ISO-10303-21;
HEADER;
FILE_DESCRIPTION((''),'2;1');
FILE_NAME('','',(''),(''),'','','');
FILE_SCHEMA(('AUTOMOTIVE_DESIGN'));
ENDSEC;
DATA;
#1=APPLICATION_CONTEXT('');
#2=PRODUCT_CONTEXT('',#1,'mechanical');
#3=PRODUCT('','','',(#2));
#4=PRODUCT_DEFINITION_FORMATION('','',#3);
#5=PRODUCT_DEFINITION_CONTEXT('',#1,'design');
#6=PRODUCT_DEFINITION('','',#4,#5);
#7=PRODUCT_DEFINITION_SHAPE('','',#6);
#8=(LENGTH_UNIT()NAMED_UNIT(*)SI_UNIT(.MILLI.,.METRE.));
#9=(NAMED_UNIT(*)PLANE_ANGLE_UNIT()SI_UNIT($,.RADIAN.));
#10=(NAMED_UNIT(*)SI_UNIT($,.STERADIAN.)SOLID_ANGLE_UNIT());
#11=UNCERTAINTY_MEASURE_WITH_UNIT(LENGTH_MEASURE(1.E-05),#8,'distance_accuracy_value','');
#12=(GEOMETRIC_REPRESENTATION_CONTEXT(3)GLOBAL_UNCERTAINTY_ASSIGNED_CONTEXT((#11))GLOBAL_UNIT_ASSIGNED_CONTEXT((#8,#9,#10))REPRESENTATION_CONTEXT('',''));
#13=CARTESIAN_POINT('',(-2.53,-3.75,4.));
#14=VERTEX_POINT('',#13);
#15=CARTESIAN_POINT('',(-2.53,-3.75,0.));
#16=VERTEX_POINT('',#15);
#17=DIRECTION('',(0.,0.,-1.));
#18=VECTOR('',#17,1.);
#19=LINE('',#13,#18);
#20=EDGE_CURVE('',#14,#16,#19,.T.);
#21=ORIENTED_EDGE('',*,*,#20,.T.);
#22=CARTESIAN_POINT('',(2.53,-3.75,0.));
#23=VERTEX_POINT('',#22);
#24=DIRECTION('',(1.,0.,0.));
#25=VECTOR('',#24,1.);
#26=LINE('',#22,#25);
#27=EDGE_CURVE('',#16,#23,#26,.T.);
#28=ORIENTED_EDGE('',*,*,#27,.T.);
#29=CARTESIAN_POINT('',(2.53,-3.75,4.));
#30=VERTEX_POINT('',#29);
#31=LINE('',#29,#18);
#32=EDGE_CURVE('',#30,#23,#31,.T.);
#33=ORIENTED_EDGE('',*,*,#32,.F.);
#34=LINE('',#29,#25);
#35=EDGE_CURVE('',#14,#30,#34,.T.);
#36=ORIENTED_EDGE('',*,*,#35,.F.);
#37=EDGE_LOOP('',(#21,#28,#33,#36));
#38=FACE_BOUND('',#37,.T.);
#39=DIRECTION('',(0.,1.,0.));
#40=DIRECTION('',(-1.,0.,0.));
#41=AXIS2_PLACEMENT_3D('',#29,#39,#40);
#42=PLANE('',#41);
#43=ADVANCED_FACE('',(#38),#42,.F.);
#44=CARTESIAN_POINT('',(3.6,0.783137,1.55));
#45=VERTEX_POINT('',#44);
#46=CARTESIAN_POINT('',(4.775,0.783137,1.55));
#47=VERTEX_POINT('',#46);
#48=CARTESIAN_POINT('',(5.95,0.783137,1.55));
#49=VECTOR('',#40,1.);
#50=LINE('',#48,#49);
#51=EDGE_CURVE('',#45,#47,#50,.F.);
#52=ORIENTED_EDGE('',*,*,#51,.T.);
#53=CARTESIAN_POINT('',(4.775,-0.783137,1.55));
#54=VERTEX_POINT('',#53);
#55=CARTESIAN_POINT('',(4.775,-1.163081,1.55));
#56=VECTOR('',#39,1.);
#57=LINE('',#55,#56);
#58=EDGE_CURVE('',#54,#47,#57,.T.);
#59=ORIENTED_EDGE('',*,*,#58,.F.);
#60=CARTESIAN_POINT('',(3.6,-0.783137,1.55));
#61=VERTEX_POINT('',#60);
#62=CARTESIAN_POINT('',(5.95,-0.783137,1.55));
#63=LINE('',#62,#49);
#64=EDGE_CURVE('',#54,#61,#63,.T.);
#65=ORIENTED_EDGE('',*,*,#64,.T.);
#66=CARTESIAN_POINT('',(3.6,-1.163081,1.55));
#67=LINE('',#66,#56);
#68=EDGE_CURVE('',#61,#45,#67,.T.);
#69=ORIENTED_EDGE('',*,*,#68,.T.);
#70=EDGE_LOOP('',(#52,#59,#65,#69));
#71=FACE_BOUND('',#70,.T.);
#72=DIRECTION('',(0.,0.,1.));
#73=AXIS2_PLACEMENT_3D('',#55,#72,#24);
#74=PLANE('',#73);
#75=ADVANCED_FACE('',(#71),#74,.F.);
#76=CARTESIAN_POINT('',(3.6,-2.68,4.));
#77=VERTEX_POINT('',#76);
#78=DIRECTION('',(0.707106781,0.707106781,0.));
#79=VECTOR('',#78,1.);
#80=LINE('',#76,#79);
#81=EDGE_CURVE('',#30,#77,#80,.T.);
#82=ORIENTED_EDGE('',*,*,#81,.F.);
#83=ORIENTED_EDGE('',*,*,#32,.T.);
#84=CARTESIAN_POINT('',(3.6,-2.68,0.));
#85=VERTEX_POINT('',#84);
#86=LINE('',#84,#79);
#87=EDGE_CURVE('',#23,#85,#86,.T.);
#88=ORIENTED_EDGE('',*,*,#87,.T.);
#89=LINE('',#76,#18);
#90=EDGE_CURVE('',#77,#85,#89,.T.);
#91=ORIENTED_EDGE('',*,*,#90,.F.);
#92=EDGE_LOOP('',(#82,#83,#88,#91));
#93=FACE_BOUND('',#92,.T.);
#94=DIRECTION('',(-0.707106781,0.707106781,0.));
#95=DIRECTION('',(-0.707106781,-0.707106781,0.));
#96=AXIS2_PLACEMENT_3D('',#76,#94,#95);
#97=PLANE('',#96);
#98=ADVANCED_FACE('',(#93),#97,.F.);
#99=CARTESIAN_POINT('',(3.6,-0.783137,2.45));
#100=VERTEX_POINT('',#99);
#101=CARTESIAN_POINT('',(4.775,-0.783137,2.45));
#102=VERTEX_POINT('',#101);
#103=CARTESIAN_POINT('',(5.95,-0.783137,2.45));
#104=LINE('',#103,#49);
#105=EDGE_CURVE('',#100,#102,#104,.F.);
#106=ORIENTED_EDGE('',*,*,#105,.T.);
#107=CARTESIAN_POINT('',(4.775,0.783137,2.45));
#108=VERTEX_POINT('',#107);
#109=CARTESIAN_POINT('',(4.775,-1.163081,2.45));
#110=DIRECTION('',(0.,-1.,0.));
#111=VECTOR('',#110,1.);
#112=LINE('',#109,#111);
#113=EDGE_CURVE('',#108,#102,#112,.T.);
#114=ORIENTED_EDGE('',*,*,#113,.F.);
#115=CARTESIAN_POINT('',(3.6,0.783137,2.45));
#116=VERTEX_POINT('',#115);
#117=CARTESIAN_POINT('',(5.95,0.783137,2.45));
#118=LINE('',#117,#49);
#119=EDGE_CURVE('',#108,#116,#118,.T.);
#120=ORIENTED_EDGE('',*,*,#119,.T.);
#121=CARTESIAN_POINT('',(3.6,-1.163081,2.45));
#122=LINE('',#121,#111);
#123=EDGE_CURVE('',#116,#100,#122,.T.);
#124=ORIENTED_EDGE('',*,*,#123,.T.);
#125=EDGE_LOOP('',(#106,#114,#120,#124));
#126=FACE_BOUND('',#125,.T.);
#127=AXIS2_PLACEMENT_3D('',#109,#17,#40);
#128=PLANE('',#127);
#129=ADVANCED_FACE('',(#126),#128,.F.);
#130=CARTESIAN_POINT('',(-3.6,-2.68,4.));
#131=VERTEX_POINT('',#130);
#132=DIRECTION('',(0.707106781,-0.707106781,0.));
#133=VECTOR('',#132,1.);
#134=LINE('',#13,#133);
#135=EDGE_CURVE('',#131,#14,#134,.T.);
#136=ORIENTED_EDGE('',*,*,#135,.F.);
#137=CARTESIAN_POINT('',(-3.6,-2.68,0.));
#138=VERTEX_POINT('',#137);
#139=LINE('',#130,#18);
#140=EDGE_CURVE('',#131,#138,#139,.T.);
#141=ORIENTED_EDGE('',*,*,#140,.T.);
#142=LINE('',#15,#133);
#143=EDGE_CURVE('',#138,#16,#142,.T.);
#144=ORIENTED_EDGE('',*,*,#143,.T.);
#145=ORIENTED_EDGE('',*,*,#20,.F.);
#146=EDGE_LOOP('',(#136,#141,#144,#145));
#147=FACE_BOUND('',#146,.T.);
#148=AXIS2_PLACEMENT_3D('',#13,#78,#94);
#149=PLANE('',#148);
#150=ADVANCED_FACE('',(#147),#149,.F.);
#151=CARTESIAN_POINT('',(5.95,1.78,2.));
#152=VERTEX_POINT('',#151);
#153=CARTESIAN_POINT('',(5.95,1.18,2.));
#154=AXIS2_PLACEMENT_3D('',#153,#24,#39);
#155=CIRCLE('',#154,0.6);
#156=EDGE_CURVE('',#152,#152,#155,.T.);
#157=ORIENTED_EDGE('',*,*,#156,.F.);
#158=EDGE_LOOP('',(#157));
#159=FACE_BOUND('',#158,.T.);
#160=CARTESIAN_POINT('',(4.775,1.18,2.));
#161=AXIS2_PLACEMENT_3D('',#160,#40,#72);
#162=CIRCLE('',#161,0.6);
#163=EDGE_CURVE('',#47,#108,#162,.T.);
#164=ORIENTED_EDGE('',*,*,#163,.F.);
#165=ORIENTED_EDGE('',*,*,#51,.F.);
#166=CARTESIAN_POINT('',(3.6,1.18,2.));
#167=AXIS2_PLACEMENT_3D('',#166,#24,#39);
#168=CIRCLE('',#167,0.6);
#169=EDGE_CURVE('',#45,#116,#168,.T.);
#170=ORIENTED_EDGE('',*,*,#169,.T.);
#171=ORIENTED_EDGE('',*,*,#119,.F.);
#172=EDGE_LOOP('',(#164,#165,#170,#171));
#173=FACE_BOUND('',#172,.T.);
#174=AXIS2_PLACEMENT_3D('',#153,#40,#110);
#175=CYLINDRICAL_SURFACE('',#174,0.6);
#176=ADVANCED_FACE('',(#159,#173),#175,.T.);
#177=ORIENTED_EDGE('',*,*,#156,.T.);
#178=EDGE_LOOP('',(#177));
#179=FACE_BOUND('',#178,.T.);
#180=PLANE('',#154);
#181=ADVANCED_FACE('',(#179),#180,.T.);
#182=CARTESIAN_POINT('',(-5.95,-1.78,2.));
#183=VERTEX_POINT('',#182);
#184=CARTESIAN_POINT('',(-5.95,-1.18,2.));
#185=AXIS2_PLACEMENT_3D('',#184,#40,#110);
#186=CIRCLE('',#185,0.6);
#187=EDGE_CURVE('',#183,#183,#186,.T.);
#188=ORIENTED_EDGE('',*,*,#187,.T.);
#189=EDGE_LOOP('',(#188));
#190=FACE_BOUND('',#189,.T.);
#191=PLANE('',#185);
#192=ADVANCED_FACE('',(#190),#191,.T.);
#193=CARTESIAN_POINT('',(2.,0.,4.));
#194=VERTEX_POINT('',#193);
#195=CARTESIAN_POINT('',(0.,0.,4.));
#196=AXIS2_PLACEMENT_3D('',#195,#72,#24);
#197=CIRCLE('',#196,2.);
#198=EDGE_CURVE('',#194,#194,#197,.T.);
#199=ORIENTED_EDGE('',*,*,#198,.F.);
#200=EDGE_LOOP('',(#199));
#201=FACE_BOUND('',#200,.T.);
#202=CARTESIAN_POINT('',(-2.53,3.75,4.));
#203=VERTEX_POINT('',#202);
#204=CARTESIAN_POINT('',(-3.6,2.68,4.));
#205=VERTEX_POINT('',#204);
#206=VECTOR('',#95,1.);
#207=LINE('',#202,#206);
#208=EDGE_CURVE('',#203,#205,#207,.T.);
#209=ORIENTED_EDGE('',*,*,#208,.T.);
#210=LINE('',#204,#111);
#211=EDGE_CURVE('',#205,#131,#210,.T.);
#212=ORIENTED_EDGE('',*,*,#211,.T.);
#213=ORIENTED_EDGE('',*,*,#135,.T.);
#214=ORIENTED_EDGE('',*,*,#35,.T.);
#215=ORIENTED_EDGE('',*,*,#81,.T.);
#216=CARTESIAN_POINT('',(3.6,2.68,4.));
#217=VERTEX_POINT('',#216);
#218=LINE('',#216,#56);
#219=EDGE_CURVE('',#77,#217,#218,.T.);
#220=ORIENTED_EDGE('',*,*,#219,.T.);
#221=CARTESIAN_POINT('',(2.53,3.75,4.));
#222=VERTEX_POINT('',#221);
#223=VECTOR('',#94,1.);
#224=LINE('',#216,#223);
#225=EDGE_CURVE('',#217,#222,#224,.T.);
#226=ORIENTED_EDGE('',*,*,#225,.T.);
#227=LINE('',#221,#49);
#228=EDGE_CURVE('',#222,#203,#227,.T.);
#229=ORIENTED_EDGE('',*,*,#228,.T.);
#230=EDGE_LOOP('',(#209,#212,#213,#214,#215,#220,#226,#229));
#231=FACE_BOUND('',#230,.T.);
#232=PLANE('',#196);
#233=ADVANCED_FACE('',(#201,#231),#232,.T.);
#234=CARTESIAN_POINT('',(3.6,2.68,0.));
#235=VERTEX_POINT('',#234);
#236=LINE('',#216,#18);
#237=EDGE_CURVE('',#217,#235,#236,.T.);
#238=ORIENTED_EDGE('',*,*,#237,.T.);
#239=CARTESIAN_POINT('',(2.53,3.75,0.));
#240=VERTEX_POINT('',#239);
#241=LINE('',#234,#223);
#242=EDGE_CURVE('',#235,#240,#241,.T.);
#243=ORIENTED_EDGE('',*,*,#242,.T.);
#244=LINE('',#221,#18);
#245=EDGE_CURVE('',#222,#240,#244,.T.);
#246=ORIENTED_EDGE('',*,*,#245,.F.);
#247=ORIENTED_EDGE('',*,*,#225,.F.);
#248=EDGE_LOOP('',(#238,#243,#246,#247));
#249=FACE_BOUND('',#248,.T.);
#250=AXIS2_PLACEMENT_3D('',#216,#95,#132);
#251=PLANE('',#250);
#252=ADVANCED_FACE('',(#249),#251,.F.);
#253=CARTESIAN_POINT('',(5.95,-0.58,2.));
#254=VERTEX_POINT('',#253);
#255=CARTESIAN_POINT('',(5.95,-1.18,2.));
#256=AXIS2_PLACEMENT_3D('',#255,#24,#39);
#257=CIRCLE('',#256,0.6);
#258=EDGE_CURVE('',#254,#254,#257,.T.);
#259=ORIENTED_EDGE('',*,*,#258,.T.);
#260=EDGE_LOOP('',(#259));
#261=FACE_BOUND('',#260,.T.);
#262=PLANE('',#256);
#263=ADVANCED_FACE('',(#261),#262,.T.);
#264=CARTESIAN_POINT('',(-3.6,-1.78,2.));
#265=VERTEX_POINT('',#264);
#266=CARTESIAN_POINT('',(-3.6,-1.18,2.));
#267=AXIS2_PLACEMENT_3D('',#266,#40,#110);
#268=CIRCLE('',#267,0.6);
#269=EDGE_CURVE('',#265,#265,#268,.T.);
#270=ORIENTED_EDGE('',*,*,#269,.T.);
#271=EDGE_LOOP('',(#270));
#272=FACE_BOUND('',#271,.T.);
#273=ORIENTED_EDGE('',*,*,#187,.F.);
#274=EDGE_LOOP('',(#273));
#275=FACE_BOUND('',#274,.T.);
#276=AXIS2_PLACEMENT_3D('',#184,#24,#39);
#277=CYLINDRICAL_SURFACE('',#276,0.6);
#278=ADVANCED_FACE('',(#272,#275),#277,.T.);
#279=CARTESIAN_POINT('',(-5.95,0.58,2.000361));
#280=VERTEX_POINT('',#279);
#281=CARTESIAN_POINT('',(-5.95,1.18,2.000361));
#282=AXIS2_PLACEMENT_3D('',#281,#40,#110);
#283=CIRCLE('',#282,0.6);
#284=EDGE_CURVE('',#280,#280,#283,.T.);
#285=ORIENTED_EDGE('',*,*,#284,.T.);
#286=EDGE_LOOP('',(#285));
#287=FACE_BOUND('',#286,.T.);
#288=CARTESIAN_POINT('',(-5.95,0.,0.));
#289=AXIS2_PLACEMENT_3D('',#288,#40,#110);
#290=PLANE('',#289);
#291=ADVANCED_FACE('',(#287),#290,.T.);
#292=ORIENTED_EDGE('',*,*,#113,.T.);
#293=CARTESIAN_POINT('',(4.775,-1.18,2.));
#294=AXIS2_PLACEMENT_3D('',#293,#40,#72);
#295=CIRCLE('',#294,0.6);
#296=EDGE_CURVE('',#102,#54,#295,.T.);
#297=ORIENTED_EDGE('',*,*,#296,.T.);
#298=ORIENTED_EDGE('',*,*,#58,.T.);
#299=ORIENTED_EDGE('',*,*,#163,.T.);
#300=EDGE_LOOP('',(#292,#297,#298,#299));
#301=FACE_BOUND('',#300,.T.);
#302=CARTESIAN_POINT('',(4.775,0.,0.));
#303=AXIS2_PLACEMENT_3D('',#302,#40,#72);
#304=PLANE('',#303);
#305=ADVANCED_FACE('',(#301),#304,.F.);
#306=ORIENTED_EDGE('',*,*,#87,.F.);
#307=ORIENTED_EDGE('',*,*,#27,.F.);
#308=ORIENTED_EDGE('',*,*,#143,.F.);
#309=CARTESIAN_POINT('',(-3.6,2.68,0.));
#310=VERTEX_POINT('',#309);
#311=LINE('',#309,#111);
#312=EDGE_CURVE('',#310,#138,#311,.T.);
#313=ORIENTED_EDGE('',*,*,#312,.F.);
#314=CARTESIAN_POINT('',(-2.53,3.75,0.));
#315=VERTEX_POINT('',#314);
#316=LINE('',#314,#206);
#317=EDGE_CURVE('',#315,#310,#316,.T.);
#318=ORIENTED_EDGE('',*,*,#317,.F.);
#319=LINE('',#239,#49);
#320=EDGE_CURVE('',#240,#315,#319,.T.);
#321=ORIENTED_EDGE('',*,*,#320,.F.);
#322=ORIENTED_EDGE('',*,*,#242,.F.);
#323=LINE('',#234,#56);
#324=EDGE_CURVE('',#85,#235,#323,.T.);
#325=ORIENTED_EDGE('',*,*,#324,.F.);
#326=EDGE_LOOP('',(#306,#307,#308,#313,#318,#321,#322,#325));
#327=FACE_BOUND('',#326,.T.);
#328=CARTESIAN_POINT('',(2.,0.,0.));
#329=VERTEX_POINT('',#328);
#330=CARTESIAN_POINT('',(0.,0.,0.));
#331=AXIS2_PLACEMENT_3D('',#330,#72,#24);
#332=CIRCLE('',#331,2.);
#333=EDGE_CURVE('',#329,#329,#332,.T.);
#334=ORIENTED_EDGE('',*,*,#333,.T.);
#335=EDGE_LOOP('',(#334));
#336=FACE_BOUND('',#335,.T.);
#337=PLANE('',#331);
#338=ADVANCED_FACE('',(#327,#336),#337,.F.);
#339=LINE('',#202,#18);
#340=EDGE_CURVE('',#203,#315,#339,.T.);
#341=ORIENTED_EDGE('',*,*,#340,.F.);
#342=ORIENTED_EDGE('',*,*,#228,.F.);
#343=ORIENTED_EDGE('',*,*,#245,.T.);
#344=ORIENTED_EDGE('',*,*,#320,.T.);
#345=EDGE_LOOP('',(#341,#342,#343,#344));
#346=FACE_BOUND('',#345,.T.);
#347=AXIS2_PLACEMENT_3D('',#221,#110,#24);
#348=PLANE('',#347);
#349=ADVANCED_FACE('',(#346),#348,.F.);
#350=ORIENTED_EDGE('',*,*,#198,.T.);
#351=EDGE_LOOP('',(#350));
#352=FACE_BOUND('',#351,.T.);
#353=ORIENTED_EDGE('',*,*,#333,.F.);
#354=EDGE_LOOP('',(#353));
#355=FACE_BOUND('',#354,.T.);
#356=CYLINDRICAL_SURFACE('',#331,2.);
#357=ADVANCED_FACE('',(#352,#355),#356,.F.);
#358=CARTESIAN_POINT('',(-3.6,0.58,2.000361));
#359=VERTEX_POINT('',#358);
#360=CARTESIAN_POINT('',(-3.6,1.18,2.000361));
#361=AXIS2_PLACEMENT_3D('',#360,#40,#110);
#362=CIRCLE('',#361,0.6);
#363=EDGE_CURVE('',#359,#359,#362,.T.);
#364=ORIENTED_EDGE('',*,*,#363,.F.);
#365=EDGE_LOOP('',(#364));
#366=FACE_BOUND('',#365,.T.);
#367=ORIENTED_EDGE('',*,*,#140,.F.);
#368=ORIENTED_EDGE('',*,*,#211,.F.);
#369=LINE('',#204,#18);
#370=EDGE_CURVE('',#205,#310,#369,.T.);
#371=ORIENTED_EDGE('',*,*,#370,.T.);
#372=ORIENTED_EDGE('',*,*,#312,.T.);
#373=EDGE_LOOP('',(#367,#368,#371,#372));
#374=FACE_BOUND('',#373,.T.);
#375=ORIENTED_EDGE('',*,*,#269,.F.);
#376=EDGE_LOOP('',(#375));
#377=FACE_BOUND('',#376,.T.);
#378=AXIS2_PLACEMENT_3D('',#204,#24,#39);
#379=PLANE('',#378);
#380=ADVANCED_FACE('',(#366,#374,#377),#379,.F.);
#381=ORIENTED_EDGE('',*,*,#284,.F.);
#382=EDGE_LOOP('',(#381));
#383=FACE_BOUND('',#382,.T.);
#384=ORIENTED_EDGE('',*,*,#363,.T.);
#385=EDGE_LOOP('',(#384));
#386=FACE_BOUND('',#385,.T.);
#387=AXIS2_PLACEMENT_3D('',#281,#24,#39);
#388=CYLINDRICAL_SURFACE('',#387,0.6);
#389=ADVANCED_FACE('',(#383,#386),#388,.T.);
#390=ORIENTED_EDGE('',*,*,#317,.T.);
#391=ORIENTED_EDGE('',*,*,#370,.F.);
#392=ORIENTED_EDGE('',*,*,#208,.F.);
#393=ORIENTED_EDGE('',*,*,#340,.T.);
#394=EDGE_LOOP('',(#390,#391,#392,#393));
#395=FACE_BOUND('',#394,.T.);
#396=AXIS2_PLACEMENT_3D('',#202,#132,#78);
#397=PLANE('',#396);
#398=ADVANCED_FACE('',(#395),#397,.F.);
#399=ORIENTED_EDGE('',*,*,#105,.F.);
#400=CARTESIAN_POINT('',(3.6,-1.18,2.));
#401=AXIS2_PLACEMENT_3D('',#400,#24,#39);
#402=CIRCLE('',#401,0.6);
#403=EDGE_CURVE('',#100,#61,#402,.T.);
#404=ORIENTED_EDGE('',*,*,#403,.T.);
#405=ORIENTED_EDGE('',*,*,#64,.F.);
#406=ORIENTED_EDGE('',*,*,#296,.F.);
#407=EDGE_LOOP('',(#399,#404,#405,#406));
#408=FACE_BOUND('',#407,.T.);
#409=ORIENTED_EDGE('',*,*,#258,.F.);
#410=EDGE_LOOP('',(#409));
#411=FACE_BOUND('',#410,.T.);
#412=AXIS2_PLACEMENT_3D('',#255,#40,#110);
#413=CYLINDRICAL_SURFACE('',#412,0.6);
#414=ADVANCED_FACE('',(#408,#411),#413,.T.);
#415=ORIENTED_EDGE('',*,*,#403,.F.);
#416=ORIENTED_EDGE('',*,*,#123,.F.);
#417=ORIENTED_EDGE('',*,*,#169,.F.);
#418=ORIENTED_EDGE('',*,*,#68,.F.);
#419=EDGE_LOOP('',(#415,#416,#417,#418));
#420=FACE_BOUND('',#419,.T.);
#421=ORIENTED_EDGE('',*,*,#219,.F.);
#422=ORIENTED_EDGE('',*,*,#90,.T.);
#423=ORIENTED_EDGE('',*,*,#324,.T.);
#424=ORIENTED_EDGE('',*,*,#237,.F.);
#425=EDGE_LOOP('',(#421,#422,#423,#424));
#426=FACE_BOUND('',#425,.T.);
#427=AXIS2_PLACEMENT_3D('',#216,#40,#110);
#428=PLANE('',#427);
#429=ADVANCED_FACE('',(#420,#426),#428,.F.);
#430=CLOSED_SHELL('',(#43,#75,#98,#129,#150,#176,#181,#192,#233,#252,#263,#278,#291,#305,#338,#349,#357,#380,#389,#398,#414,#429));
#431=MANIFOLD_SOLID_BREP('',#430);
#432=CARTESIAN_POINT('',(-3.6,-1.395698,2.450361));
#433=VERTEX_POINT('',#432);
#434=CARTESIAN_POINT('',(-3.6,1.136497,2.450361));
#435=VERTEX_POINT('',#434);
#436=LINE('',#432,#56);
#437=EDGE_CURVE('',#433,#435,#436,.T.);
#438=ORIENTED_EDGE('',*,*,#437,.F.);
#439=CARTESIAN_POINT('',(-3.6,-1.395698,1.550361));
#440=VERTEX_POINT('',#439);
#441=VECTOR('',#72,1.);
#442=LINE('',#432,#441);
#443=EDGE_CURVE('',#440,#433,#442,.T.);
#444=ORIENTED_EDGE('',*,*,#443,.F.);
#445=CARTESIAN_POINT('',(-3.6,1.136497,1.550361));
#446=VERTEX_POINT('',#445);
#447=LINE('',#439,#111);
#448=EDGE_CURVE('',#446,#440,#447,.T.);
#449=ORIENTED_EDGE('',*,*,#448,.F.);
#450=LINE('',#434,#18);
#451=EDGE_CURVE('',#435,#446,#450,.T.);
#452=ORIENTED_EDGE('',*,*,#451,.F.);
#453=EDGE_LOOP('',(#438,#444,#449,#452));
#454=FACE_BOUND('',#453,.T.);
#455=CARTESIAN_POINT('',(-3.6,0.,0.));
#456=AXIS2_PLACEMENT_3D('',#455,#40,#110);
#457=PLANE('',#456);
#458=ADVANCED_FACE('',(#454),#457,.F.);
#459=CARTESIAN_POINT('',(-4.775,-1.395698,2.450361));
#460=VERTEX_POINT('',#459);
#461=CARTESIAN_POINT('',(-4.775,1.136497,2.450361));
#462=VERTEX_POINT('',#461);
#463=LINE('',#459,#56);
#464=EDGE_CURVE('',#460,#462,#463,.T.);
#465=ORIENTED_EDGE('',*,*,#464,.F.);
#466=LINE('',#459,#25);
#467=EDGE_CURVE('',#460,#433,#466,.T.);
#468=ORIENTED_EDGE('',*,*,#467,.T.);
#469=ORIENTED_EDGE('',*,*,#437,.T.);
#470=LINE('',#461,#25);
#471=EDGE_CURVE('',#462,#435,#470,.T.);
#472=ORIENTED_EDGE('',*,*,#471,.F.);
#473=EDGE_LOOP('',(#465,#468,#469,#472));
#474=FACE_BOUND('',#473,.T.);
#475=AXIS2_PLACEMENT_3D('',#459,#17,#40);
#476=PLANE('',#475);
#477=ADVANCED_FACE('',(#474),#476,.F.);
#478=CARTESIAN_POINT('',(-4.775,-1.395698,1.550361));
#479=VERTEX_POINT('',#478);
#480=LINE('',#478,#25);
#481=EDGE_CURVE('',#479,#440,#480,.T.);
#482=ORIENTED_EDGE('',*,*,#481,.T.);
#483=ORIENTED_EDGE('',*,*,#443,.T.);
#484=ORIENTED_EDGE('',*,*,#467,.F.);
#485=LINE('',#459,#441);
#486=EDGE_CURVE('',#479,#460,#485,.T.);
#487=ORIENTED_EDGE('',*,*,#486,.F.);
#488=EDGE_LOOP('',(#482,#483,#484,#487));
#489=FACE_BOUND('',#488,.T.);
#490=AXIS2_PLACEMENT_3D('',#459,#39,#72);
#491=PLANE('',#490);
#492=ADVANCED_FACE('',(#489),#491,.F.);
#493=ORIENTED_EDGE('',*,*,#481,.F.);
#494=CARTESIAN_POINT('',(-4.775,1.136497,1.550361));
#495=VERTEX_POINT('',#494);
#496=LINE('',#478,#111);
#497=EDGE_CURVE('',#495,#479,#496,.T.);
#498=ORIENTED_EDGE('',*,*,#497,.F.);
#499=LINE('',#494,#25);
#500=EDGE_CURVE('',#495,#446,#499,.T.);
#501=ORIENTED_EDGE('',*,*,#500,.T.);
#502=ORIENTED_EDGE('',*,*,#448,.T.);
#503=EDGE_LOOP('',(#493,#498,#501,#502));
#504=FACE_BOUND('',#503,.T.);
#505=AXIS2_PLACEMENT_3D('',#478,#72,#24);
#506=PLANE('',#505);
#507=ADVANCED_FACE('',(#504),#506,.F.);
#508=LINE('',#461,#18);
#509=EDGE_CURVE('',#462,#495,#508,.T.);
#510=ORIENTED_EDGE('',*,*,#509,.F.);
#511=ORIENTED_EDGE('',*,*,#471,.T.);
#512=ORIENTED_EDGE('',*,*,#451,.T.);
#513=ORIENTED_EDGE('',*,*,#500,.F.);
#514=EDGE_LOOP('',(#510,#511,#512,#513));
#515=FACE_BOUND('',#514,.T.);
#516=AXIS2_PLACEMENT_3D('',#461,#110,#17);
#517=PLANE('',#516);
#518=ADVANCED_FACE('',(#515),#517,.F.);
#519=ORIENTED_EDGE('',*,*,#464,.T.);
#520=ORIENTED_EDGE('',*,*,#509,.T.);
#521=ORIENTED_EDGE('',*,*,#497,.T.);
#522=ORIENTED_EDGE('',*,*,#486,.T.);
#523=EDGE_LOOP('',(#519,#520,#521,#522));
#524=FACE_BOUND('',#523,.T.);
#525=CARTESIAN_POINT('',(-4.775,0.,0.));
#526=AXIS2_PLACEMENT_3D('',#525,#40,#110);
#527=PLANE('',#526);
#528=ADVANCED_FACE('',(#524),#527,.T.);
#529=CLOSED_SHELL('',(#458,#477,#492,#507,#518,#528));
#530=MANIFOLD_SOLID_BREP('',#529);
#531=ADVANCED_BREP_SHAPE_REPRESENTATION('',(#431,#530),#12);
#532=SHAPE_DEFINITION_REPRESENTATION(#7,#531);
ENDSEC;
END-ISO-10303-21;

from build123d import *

# Parameters (mm, degrees)
BOSS_EXTRUDE1_DEPTH = 4
SKETCH2_R           = 2
CUT_EXTRUDE1_DEPTH  = 7.559153909
SKETCH3_R           = 0.6
BOSS_EXTRUDE4_DEPTH = 2.35
SKETCH5_W           = 0.9
SKETCH5_H           = 2.53219409
BOSS_EXTRUDE5_DEPTH = 1.175
BOSS_EXTRUDE6_START = 2.35
SKETCH6_R           = 0.6
BOSS_EXTRUDE6_DEPTH = 2.35
SKETCH8_W           = 0.9
SKETCH8_H           = 2.405916694
BOSS_EXTRUDE7_DEPTH = 1.175


with BuildPart() as part:
    # Sketch1 → Boss-Extrude1 (new body)
    with BuildSketch(Plane.XY):
        Polygon((-2.53, 3.75), (-3.6, 2.68), (-3.6, -2.68), (-2.53, -3.75), (2.53, -3.75), (3.6, -2.68), (3.6, 2.68), (2.53, 3.75), align=None)
    extrude(amount=BOSS_EXTRUDE1_DEPTH)

    # Sketch2 → Cut-Extrude1 (cut, through all)
    with BuildSketch(Plane.XY.offset(4)):
        Circle(SKETCH2_R)
    extrude(amount=-CUT_EXTRUDE1_DEPTH, mode=Mode.SUBTRACT)

    # Sketch3 → Boss-Extrude4 (add)
    with BuildSketch(Plane.ZY.offset(3.6)):
        with Locations(Location((2.00036098, 1.18, 0), (0, 0, 270))):
            Circle(SKETCH3_R)
        with Locations(Location((2, -1.18, 0), (0, 0, 270))):
            Circle(SKETCH3_R)
    extrude(amount=BOSS_EXTRUDE4_DEPTH)

    # Sketch6 → Boss-Extrude6 (add)
    with BuildSketch(Plane(origin=(3.6, 0, 0), x_dir=(0, 0, -1), z_dir=(1, 0, 0)).offset(BOSS_EXTRUDE6_START)):
        with Locations(Location((-2, 1.18, 0), (0, 0, 90))):
            Circle(SKETCH6_R)
        with Locations(Location((-2, -1.18, 0), (0, 0, 270))):
            Circle(SKETCH6_R)
    extrude(amount=-BOSS_EXTRUDE6_DEPTH)

    # Sketch8 → Boss-Extrude7 (add)
    with BuildSketch(Plane(origin=(3.6, 0, 0), x_dir=(0, 0, -1), z_dir=(1, 0, 0))):
        with Locations((-2, 0.039877072)):
            Rectangle(SKETCH8_W, SKETCH8_H)
    extrude(amount=BOSS_EXTRUDE7_DEPTH)


with BuildPart() as body_2:
    # Sketch5 → Boss-Extrude5 (new body)
    with BuildSketch(Plane.ZY.offset(3.6)):
        with Locations((2.00036098, -0.129600485)):
            Rectangle(SKETCH5_W, SKETCH5_H)
    extrude(amount=BOSS_EXTRUDE5_DEPTH)


solid = Compound([part.part, body_2.part])
